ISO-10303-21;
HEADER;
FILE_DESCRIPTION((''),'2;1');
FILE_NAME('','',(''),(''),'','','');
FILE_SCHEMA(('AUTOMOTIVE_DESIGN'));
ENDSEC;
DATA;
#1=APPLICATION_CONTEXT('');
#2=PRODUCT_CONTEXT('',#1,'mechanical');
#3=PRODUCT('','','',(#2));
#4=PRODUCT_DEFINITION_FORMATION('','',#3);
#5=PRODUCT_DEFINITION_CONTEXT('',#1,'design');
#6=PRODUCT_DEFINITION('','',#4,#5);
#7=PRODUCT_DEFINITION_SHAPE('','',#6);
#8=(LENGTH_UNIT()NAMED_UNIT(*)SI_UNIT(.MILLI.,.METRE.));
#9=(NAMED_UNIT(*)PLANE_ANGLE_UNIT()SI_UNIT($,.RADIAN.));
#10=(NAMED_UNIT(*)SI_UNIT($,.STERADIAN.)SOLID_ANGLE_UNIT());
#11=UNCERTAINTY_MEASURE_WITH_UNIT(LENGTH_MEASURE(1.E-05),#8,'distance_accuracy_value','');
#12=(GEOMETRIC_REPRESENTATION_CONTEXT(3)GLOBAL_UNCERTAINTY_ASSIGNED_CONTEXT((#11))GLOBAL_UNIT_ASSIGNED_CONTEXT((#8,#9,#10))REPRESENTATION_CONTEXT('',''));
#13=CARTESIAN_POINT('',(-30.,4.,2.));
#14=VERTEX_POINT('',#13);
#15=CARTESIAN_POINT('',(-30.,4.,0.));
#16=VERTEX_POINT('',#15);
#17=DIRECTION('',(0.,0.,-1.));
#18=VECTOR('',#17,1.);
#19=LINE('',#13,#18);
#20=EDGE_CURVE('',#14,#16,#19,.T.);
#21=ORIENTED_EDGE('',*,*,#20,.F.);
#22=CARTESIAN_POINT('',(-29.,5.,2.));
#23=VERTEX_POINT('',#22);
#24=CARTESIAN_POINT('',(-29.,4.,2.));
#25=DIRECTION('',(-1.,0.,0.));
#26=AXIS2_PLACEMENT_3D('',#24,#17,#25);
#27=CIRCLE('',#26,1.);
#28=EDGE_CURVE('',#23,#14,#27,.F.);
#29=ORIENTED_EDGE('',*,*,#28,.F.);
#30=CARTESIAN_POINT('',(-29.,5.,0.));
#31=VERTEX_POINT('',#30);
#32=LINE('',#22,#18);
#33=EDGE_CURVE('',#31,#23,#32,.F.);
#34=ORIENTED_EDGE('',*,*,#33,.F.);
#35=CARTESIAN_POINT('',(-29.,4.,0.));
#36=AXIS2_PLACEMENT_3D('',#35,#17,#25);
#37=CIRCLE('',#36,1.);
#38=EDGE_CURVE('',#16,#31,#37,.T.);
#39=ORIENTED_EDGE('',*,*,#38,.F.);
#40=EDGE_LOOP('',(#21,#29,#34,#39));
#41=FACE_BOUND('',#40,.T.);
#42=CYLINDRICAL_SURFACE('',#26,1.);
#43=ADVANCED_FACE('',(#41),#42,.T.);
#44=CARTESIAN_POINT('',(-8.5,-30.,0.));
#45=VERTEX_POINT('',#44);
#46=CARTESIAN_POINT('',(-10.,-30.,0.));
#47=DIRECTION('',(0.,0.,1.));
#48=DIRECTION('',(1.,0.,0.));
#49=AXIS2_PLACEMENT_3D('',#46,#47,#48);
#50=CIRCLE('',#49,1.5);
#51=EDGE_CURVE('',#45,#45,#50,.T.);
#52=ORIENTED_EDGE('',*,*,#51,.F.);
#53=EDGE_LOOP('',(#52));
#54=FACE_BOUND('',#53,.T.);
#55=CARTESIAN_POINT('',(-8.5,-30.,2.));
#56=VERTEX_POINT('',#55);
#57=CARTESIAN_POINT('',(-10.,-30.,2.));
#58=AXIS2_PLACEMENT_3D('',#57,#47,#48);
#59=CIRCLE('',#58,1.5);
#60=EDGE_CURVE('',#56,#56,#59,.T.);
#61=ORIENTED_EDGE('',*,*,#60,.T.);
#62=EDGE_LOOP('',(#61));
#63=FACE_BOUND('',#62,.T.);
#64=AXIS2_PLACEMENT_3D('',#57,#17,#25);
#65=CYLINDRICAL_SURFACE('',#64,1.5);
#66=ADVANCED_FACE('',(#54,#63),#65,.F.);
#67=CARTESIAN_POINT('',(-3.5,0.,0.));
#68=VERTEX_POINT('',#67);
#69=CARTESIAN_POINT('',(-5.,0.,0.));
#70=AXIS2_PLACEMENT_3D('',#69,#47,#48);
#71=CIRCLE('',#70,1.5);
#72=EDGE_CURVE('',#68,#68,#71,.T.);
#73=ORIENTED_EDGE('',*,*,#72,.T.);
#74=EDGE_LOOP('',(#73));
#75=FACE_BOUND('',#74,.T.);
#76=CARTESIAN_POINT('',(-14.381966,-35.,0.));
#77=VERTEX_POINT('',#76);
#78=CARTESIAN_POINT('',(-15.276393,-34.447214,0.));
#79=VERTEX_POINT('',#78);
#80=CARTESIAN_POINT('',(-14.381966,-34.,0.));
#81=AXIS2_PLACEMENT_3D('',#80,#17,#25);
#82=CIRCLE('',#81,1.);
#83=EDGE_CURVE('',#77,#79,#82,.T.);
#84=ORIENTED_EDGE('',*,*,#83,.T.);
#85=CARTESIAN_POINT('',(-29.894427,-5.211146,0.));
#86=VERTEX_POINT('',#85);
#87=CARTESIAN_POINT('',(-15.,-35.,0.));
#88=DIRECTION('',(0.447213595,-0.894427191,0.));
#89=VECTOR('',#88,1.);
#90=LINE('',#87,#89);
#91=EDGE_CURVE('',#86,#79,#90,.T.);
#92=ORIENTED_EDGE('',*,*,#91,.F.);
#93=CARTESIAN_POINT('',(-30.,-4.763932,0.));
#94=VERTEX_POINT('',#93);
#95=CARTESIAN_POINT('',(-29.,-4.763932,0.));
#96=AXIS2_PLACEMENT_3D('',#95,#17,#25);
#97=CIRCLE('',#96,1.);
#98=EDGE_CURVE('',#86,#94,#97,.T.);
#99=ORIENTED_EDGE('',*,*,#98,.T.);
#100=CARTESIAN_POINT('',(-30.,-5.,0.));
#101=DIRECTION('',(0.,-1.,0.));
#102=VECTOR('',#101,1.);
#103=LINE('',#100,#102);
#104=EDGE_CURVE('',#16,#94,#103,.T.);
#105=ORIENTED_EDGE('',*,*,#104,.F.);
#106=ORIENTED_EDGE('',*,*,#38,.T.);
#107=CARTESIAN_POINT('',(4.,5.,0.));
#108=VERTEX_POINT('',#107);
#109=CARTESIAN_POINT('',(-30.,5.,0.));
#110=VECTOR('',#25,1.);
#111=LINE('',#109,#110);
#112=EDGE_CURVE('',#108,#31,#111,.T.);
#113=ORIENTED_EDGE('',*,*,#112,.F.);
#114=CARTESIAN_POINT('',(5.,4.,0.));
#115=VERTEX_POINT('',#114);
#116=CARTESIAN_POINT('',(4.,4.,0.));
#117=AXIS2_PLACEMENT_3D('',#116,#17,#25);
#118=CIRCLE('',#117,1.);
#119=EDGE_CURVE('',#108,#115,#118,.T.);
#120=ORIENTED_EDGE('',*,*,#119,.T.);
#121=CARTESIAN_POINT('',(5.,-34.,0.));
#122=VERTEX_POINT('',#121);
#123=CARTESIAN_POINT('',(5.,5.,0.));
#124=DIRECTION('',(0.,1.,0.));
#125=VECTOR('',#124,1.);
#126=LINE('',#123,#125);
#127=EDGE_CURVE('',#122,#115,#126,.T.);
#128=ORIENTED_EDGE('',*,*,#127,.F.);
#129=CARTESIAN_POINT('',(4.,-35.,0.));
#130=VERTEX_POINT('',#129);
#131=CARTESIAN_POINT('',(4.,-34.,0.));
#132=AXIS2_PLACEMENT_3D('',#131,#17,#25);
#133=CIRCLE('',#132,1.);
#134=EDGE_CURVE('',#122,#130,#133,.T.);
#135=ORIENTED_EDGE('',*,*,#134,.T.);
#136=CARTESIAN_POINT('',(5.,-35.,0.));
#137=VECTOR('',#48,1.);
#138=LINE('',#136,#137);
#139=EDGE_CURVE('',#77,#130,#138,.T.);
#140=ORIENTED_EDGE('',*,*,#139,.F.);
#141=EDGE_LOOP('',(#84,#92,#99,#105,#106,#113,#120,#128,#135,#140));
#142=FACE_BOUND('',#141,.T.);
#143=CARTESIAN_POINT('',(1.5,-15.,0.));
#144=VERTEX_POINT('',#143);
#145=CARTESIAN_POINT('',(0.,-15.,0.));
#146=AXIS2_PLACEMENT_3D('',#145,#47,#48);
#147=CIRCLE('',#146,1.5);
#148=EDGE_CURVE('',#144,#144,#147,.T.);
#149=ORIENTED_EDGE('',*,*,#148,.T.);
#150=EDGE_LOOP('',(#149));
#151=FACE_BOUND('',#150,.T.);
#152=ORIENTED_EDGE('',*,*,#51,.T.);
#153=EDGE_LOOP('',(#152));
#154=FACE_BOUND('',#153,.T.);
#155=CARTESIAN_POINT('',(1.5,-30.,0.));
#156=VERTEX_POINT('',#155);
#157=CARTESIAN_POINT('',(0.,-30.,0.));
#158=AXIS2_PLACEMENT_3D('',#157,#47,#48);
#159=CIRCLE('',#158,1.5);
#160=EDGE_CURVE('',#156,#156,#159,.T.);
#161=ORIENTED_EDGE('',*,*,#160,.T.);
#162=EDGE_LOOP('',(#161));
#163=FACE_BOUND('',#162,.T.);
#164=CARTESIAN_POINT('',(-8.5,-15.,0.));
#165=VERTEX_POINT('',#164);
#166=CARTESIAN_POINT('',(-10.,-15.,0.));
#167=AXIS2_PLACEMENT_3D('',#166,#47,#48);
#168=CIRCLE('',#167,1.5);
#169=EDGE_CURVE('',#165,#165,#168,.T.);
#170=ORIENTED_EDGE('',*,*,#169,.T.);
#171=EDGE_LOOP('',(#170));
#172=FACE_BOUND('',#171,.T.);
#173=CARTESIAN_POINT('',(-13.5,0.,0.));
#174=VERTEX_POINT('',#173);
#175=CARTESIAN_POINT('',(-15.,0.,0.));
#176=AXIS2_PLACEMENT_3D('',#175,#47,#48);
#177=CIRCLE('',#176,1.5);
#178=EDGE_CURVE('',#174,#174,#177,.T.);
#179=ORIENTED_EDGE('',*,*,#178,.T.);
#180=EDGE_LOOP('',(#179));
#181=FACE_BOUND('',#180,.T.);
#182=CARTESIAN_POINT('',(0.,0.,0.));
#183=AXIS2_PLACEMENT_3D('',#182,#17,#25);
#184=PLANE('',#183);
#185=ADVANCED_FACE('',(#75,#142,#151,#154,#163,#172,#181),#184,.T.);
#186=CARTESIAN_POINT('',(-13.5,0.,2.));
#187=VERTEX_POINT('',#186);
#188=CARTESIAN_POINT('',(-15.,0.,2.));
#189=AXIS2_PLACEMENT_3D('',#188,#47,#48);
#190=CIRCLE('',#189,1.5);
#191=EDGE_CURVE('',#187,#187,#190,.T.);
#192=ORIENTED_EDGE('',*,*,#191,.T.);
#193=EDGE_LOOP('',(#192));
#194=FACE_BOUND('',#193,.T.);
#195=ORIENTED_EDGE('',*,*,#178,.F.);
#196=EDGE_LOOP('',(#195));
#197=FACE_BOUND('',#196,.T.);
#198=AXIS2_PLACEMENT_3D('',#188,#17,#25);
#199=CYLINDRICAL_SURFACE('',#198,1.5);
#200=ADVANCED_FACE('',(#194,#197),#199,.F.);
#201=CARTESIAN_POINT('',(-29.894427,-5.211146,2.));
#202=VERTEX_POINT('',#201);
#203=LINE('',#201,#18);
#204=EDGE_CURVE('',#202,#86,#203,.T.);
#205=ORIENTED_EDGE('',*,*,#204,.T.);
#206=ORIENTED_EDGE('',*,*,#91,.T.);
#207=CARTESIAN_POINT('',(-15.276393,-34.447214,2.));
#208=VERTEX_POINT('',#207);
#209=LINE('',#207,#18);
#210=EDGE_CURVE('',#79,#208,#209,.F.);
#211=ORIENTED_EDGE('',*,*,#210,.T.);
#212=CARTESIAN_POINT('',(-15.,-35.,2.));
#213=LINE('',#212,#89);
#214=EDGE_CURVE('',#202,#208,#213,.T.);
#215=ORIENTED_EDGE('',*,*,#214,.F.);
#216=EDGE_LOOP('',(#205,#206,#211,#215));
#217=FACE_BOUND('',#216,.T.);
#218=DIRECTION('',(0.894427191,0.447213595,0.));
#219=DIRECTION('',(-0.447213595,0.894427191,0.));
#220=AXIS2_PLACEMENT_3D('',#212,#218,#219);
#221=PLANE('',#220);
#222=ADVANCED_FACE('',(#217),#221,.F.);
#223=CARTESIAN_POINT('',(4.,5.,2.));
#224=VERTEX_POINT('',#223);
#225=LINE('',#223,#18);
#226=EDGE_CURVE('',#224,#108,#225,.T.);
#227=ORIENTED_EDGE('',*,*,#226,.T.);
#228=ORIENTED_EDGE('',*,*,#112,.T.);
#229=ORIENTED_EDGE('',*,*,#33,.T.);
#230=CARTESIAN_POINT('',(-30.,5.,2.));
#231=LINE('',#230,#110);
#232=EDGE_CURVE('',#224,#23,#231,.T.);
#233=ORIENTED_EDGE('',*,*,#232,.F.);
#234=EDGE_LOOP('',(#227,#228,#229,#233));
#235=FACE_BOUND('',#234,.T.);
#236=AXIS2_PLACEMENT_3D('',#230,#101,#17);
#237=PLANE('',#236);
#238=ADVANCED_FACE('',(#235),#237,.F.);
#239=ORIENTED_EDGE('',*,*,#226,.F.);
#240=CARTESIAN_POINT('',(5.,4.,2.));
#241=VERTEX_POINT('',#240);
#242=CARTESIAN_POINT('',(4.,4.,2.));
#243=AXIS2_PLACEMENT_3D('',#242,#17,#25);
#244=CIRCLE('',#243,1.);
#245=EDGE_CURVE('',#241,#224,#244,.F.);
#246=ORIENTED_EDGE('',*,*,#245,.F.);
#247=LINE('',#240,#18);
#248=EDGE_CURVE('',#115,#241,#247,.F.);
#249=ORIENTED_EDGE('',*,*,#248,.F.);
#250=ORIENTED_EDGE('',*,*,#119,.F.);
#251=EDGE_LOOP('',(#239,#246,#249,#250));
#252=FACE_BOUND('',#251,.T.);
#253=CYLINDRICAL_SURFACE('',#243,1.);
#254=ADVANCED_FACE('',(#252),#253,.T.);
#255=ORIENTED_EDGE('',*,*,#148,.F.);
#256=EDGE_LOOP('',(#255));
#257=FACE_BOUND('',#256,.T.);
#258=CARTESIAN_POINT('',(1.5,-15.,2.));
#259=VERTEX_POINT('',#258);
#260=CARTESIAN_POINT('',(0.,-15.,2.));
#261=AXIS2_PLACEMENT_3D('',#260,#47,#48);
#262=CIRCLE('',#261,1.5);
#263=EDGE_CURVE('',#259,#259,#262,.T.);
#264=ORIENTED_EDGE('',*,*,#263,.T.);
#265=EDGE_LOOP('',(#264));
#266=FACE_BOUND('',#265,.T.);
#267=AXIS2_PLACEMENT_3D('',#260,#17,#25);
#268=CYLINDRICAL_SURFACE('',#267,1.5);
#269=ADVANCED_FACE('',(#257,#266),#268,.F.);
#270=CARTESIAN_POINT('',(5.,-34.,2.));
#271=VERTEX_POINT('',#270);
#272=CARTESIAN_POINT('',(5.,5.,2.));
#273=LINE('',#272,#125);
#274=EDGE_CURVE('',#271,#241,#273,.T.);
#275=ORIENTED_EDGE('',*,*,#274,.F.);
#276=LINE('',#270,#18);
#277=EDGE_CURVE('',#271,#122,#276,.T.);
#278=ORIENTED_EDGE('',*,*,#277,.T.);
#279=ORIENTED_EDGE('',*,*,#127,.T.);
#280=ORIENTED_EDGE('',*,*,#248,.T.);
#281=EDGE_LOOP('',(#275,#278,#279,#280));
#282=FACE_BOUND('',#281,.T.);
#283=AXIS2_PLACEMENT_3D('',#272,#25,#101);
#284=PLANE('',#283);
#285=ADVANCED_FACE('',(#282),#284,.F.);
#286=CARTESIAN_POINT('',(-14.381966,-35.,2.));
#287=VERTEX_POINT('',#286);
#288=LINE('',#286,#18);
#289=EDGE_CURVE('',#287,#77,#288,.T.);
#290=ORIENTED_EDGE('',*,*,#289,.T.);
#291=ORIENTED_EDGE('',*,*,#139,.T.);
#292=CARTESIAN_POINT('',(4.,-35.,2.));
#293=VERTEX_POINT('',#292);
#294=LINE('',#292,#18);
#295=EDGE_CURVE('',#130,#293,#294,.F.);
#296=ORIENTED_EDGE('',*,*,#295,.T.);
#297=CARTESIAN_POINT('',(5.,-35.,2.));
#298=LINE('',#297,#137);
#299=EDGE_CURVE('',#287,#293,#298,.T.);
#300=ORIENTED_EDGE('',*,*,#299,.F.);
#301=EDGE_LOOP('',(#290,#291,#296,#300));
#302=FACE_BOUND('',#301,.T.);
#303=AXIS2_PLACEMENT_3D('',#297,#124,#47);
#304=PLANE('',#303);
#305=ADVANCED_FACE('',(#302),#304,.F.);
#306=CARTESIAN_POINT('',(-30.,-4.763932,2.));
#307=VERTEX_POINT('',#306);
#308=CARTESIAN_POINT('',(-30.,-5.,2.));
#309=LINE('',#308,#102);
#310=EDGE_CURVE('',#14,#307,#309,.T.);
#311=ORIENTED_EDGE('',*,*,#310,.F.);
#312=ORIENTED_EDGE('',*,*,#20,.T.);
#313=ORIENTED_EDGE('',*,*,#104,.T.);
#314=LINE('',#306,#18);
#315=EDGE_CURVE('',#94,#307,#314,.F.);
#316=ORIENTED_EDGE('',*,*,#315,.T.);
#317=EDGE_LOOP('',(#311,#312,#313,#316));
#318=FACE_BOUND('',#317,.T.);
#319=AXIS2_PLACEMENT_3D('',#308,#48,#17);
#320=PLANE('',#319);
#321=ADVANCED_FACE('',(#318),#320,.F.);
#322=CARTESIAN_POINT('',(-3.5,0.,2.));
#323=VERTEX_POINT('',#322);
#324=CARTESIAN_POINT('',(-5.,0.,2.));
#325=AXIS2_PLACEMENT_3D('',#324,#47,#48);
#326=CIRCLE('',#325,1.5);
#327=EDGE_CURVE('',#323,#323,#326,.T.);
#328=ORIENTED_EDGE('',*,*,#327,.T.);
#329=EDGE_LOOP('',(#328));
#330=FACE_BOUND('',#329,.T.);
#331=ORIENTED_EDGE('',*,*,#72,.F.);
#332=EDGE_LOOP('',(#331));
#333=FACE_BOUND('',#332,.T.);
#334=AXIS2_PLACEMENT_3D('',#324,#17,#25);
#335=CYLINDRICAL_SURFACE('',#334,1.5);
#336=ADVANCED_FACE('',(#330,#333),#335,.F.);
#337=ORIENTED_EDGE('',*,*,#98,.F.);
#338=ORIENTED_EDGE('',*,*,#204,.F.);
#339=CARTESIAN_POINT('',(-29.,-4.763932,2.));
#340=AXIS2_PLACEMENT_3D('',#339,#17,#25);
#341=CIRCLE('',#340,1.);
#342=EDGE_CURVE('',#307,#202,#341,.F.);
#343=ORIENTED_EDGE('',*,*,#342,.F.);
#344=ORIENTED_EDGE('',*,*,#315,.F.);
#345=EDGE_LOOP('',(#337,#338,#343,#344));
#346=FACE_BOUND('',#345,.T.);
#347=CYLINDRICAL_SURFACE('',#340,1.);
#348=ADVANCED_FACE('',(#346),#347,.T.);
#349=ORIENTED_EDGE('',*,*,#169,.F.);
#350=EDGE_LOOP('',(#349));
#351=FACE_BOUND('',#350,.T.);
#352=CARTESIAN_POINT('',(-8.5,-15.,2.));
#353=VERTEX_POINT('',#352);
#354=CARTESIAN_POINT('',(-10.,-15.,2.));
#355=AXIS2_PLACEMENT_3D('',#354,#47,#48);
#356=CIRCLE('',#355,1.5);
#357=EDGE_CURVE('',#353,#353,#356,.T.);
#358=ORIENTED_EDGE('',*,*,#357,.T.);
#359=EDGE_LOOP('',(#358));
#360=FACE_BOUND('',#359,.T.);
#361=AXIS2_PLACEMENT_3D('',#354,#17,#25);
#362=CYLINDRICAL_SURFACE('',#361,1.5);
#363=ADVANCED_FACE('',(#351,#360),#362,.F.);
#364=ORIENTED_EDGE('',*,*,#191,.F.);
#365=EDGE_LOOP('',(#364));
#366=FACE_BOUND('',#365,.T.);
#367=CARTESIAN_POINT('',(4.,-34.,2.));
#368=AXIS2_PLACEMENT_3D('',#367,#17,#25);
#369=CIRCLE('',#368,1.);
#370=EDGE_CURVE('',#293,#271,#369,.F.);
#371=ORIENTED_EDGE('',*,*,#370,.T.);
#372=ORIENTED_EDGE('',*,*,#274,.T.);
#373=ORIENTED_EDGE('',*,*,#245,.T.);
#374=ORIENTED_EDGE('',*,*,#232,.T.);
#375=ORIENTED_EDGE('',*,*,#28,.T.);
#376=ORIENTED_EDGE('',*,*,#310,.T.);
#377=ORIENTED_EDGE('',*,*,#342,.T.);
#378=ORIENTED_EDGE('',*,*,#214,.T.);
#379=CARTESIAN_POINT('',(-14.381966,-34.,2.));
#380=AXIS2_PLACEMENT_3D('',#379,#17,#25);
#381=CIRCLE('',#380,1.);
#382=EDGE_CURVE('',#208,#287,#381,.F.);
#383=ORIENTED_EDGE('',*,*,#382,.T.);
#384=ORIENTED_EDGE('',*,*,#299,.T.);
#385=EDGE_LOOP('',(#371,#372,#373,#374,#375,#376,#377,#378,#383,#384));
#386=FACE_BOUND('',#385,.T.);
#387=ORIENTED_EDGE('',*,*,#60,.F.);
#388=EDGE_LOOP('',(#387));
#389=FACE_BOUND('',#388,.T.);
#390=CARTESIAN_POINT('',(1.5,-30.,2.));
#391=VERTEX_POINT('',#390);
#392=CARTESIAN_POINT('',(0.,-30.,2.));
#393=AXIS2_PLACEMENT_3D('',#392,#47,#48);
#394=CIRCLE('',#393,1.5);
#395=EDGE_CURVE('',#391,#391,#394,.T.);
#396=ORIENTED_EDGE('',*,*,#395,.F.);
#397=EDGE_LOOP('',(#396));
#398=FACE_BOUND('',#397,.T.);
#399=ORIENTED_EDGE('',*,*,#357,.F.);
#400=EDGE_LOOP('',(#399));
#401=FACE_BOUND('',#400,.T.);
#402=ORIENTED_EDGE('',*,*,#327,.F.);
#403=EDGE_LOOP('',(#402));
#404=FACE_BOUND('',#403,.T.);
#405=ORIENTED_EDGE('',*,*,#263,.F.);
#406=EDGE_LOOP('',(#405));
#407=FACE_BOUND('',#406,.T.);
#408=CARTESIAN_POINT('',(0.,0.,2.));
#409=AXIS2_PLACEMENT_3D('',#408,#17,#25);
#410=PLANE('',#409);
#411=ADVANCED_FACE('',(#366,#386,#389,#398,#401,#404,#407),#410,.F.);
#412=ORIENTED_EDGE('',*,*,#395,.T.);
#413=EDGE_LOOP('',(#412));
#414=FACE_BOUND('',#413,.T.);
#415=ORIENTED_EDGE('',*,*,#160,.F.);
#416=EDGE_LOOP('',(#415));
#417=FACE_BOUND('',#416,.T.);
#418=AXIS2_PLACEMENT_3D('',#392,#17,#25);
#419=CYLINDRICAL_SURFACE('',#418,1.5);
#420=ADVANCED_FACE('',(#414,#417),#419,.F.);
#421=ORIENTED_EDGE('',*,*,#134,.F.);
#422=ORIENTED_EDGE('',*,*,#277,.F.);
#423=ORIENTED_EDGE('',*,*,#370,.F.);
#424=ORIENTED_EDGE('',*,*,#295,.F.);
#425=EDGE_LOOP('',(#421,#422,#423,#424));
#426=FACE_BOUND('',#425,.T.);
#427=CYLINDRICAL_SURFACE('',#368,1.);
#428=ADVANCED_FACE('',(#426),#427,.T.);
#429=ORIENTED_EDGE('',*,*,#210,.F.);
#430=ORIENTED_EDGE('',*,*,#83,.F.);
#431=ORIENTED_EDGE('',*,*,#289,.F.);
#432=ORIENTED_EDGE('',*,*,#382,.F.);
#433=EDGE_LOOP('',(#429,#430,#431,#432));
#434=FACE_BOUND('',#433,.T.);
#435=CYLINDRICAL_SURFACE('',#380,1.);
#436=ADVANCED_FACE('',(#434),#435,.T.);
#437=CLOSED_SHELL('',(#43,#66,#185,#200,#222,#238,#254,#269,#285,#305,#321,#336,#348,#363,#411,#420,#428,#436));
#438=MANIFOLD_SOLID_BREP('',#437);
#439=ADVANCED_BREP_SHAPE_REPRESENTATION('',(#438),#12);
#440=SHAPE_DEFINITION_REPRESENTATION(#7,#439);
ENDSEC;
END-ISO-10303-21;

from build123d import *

# Parameters (mm, degrees)
SKETCH_1_R      = 1.5
EXTRUDE_1_DEPTH = 2
FILLET_1_R      = 1


with BuildPart() as part:
    # 草图1 → 凸台-拉伸1 (new body)
    with BuildSketch(Plane.XY):
        Polygon((-30, -5), (-30, 5), (5, 5), (5, -35), (-15, -35), align=None)
        with Locations((-15, 0)):
            Circle(SKETCH_1_R, mode=Mode.SUBTRACT)
        with Locations((-5, 0)):
            Circle(SKETCH_1_R, mode=Mode.SUBTRACT)
        with Locations((-10, -15)):
            Circle(SKETCH_1_R, mode=Mode.SUBTRACT)
        with Locations((-10, -30)):
            Circle(SKETCH_1_R, mode=Mode.SUBTRACT)
        with Locations((0, -30)):
            Circle(SKETCH_1_R, mode=Mode.SUBTRACT)
        with Locations((0, -15)):
            Circle(SKETCH_1_R, mode=Mode.SUBTRACT)
    extrude(amount=EXTRUDE_1_DEPTH)

    # 圆角1
    fillet_1_edges = [part.edges().sort_by_distance(p)[0] for p in [
        (-30, -5, 1),
        (-30, 5, 1),
        (5, 5, 1),
        (5, -35, 1),
        (-15, -35, 1),
    ]]
    fillet(fillet_1_edges, radius=FILLET_1_R)


solid = part.part
